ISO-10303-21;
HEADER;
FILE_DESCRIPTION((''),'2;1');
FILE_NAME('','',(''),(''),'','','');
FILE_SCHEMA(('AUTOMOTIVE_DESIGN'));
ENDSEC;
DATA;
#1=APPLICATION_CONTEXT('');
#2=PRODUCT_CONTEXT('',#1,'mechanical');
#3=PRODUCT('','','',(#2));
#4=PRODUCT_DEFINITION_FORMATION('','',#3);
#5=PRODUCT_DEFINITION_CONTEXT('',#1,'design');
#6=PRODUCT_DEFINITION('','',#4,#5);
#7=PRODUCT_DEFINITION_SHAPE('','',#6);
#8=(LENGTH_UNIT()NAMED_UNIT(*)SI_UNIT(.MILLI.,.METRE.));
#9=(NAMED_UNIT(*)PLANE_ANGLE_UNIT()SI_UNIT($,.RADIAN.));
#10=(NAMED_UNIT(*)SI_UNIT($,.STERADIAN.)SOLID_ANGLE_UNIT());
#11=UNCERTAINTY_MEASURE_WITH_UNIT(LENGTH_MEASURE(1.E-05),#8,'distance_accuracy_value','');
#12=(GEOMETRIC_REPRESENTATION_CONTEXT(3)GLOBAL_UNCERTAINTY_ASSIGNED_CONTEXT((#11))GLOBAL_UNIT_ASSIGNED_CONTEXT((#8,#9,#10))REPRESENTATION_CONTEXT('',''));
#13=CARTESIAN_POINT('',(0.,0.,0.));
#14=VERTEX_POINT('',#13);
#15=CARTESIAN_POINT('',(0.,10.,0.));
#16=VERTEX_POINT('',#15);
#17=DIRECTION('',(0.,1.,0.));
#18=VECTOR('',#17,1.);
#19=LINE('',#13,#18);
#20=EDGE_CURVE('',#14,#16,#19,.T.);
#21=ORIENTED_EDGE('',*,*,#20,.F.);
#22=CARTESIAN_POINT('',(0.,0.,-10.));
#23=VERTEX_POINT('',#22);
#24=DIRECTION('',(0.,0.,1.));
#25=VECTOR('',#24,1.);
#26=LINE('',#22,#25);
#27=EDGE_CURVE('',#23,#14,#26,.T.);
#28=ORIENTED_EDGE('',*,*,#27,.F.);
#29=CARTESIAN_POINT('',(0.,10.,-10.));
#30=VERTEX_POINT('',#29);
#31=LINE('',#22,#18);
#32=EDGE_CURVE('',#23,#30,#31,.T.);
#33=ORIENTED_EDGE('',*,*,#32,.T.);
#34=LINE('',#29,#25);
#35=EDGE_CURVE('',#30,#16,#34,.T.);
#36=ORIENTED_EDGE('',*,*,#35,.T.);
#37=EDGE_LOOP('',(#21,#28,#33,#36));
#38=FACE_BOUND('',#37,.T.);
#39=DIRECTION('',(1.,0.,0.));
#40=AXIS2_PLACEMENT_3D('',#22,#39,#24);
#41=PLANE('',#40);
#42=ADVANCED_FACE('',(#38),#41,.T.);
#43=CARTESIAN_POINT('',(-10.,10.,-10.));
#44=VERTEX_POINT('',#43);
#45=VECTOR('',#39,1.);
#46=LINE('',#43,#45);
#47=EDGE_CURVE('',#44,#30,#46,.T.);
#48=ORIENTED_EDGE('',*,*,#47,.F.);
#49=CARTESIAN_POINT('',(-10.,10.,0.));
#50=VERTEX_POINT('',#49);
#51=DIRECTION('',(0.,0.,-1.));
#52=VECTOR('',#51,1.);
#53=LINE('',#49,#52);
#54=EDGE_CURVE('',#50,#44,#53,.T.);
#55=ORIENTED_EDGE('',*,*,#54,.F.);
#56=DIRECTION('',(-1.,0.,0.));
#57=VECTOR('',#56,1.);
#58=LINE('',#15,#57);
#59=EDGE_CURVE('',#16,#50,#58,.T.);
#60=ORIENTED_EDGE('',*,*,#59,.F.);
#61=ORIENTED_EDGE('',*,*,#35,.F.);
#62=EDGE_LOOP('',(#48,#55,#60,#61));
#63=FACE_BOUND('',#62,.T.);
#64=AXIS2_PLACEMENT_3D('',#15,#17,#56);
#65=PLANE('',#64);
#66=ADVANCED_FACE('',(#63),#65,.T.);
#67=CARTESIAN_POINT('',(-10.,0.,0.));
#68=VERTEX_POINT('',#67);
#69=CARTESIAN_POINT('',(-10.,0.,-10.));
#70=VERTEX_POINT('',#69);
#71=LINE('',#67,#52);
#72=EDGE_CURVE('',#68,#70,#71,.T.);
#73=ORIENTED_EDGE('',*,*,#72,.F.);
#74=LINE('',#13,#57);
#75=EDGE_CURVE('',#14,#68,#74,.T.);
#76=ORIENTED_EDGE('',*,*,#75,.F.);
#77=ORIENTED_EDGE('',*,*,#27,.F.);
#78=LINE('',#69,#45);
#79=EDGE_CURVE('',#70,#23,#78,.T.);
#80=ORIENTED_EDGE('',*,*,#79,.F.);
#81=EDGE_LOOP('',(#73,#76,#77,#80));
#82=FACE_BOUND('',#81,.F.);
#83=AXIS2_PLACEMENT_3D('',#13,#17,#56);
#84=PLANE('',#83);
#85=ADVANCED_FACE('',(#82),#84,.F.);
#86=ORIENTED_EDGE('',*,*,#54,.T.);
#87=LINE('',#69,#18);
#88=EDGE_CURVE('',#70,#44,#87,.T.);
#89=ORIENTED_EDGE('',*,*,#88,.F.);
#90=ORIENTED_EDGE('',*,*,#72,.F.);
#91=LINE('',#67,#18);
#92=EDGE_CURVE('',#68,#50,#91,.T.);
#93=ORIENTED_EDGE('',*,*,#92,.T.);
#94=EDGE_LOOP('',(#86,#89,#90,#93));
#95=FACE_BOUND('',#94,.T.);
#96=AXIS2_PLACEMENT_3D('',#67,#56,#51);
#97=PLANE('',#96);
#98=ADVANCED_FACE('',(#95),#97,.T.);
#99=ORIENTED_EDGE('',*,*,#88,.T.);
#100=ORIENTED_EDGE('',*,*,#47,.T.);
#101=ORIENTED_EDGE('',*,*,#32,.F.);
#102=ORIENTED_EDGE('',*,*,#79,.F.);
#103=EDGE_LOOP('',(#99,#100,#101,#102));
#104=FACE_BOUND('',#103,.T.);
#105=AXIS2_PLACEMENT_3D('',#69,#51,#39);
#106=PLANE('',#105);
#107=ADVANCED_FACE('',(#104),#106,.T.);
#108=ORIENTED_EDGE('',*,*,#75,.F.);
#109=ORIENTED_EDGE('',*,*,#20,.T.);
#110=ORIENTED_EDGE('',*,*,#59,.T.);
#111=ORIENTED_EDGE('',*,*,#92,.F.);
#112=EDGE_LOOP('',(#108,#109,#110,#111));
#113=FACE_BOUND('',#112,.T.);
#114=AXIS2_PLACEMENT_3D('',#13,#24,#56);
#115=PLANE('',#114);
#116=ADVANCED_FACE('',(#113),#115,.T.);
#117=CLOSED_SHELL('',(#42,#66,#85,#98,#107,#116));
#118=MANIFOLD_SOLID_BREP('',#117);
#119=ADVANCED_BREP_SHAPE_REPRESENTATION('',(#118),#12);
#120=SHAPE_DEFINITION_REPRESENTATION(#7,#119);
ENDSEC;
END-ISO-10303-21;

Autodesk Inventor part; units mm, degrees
ref_plane "YZ Plane" through (0, 0, 0) normal (1, 0, 0) x (0, 1, 0)
ref_plane "XZ Plane" through (0, 0, 0) normal (0, 1, 0) x (-1, 0, 0)
ref_plane "XY Plane" through (0, 0, 0) normal (0, 0, 1) x (1, 0, 0)
sketch "Sketch1" plane through (0, 0, 0) normal (0, 1, 0) x (-1, 0, 0)
  line L0 (0, 0) -> (10, 0)
  line L1 (10, 0) -> (10, -10)
  line L2 (10, -10) -> (0, -10)
  line L3 (0, -10) -> (0, 0)
  dimension "d2" = 10
  dimension "d3" = 10
extrude "Extrusion1" add sketch "Sketch1" along normal blind 10
properties part number "collision_big_box" material "Glass"
